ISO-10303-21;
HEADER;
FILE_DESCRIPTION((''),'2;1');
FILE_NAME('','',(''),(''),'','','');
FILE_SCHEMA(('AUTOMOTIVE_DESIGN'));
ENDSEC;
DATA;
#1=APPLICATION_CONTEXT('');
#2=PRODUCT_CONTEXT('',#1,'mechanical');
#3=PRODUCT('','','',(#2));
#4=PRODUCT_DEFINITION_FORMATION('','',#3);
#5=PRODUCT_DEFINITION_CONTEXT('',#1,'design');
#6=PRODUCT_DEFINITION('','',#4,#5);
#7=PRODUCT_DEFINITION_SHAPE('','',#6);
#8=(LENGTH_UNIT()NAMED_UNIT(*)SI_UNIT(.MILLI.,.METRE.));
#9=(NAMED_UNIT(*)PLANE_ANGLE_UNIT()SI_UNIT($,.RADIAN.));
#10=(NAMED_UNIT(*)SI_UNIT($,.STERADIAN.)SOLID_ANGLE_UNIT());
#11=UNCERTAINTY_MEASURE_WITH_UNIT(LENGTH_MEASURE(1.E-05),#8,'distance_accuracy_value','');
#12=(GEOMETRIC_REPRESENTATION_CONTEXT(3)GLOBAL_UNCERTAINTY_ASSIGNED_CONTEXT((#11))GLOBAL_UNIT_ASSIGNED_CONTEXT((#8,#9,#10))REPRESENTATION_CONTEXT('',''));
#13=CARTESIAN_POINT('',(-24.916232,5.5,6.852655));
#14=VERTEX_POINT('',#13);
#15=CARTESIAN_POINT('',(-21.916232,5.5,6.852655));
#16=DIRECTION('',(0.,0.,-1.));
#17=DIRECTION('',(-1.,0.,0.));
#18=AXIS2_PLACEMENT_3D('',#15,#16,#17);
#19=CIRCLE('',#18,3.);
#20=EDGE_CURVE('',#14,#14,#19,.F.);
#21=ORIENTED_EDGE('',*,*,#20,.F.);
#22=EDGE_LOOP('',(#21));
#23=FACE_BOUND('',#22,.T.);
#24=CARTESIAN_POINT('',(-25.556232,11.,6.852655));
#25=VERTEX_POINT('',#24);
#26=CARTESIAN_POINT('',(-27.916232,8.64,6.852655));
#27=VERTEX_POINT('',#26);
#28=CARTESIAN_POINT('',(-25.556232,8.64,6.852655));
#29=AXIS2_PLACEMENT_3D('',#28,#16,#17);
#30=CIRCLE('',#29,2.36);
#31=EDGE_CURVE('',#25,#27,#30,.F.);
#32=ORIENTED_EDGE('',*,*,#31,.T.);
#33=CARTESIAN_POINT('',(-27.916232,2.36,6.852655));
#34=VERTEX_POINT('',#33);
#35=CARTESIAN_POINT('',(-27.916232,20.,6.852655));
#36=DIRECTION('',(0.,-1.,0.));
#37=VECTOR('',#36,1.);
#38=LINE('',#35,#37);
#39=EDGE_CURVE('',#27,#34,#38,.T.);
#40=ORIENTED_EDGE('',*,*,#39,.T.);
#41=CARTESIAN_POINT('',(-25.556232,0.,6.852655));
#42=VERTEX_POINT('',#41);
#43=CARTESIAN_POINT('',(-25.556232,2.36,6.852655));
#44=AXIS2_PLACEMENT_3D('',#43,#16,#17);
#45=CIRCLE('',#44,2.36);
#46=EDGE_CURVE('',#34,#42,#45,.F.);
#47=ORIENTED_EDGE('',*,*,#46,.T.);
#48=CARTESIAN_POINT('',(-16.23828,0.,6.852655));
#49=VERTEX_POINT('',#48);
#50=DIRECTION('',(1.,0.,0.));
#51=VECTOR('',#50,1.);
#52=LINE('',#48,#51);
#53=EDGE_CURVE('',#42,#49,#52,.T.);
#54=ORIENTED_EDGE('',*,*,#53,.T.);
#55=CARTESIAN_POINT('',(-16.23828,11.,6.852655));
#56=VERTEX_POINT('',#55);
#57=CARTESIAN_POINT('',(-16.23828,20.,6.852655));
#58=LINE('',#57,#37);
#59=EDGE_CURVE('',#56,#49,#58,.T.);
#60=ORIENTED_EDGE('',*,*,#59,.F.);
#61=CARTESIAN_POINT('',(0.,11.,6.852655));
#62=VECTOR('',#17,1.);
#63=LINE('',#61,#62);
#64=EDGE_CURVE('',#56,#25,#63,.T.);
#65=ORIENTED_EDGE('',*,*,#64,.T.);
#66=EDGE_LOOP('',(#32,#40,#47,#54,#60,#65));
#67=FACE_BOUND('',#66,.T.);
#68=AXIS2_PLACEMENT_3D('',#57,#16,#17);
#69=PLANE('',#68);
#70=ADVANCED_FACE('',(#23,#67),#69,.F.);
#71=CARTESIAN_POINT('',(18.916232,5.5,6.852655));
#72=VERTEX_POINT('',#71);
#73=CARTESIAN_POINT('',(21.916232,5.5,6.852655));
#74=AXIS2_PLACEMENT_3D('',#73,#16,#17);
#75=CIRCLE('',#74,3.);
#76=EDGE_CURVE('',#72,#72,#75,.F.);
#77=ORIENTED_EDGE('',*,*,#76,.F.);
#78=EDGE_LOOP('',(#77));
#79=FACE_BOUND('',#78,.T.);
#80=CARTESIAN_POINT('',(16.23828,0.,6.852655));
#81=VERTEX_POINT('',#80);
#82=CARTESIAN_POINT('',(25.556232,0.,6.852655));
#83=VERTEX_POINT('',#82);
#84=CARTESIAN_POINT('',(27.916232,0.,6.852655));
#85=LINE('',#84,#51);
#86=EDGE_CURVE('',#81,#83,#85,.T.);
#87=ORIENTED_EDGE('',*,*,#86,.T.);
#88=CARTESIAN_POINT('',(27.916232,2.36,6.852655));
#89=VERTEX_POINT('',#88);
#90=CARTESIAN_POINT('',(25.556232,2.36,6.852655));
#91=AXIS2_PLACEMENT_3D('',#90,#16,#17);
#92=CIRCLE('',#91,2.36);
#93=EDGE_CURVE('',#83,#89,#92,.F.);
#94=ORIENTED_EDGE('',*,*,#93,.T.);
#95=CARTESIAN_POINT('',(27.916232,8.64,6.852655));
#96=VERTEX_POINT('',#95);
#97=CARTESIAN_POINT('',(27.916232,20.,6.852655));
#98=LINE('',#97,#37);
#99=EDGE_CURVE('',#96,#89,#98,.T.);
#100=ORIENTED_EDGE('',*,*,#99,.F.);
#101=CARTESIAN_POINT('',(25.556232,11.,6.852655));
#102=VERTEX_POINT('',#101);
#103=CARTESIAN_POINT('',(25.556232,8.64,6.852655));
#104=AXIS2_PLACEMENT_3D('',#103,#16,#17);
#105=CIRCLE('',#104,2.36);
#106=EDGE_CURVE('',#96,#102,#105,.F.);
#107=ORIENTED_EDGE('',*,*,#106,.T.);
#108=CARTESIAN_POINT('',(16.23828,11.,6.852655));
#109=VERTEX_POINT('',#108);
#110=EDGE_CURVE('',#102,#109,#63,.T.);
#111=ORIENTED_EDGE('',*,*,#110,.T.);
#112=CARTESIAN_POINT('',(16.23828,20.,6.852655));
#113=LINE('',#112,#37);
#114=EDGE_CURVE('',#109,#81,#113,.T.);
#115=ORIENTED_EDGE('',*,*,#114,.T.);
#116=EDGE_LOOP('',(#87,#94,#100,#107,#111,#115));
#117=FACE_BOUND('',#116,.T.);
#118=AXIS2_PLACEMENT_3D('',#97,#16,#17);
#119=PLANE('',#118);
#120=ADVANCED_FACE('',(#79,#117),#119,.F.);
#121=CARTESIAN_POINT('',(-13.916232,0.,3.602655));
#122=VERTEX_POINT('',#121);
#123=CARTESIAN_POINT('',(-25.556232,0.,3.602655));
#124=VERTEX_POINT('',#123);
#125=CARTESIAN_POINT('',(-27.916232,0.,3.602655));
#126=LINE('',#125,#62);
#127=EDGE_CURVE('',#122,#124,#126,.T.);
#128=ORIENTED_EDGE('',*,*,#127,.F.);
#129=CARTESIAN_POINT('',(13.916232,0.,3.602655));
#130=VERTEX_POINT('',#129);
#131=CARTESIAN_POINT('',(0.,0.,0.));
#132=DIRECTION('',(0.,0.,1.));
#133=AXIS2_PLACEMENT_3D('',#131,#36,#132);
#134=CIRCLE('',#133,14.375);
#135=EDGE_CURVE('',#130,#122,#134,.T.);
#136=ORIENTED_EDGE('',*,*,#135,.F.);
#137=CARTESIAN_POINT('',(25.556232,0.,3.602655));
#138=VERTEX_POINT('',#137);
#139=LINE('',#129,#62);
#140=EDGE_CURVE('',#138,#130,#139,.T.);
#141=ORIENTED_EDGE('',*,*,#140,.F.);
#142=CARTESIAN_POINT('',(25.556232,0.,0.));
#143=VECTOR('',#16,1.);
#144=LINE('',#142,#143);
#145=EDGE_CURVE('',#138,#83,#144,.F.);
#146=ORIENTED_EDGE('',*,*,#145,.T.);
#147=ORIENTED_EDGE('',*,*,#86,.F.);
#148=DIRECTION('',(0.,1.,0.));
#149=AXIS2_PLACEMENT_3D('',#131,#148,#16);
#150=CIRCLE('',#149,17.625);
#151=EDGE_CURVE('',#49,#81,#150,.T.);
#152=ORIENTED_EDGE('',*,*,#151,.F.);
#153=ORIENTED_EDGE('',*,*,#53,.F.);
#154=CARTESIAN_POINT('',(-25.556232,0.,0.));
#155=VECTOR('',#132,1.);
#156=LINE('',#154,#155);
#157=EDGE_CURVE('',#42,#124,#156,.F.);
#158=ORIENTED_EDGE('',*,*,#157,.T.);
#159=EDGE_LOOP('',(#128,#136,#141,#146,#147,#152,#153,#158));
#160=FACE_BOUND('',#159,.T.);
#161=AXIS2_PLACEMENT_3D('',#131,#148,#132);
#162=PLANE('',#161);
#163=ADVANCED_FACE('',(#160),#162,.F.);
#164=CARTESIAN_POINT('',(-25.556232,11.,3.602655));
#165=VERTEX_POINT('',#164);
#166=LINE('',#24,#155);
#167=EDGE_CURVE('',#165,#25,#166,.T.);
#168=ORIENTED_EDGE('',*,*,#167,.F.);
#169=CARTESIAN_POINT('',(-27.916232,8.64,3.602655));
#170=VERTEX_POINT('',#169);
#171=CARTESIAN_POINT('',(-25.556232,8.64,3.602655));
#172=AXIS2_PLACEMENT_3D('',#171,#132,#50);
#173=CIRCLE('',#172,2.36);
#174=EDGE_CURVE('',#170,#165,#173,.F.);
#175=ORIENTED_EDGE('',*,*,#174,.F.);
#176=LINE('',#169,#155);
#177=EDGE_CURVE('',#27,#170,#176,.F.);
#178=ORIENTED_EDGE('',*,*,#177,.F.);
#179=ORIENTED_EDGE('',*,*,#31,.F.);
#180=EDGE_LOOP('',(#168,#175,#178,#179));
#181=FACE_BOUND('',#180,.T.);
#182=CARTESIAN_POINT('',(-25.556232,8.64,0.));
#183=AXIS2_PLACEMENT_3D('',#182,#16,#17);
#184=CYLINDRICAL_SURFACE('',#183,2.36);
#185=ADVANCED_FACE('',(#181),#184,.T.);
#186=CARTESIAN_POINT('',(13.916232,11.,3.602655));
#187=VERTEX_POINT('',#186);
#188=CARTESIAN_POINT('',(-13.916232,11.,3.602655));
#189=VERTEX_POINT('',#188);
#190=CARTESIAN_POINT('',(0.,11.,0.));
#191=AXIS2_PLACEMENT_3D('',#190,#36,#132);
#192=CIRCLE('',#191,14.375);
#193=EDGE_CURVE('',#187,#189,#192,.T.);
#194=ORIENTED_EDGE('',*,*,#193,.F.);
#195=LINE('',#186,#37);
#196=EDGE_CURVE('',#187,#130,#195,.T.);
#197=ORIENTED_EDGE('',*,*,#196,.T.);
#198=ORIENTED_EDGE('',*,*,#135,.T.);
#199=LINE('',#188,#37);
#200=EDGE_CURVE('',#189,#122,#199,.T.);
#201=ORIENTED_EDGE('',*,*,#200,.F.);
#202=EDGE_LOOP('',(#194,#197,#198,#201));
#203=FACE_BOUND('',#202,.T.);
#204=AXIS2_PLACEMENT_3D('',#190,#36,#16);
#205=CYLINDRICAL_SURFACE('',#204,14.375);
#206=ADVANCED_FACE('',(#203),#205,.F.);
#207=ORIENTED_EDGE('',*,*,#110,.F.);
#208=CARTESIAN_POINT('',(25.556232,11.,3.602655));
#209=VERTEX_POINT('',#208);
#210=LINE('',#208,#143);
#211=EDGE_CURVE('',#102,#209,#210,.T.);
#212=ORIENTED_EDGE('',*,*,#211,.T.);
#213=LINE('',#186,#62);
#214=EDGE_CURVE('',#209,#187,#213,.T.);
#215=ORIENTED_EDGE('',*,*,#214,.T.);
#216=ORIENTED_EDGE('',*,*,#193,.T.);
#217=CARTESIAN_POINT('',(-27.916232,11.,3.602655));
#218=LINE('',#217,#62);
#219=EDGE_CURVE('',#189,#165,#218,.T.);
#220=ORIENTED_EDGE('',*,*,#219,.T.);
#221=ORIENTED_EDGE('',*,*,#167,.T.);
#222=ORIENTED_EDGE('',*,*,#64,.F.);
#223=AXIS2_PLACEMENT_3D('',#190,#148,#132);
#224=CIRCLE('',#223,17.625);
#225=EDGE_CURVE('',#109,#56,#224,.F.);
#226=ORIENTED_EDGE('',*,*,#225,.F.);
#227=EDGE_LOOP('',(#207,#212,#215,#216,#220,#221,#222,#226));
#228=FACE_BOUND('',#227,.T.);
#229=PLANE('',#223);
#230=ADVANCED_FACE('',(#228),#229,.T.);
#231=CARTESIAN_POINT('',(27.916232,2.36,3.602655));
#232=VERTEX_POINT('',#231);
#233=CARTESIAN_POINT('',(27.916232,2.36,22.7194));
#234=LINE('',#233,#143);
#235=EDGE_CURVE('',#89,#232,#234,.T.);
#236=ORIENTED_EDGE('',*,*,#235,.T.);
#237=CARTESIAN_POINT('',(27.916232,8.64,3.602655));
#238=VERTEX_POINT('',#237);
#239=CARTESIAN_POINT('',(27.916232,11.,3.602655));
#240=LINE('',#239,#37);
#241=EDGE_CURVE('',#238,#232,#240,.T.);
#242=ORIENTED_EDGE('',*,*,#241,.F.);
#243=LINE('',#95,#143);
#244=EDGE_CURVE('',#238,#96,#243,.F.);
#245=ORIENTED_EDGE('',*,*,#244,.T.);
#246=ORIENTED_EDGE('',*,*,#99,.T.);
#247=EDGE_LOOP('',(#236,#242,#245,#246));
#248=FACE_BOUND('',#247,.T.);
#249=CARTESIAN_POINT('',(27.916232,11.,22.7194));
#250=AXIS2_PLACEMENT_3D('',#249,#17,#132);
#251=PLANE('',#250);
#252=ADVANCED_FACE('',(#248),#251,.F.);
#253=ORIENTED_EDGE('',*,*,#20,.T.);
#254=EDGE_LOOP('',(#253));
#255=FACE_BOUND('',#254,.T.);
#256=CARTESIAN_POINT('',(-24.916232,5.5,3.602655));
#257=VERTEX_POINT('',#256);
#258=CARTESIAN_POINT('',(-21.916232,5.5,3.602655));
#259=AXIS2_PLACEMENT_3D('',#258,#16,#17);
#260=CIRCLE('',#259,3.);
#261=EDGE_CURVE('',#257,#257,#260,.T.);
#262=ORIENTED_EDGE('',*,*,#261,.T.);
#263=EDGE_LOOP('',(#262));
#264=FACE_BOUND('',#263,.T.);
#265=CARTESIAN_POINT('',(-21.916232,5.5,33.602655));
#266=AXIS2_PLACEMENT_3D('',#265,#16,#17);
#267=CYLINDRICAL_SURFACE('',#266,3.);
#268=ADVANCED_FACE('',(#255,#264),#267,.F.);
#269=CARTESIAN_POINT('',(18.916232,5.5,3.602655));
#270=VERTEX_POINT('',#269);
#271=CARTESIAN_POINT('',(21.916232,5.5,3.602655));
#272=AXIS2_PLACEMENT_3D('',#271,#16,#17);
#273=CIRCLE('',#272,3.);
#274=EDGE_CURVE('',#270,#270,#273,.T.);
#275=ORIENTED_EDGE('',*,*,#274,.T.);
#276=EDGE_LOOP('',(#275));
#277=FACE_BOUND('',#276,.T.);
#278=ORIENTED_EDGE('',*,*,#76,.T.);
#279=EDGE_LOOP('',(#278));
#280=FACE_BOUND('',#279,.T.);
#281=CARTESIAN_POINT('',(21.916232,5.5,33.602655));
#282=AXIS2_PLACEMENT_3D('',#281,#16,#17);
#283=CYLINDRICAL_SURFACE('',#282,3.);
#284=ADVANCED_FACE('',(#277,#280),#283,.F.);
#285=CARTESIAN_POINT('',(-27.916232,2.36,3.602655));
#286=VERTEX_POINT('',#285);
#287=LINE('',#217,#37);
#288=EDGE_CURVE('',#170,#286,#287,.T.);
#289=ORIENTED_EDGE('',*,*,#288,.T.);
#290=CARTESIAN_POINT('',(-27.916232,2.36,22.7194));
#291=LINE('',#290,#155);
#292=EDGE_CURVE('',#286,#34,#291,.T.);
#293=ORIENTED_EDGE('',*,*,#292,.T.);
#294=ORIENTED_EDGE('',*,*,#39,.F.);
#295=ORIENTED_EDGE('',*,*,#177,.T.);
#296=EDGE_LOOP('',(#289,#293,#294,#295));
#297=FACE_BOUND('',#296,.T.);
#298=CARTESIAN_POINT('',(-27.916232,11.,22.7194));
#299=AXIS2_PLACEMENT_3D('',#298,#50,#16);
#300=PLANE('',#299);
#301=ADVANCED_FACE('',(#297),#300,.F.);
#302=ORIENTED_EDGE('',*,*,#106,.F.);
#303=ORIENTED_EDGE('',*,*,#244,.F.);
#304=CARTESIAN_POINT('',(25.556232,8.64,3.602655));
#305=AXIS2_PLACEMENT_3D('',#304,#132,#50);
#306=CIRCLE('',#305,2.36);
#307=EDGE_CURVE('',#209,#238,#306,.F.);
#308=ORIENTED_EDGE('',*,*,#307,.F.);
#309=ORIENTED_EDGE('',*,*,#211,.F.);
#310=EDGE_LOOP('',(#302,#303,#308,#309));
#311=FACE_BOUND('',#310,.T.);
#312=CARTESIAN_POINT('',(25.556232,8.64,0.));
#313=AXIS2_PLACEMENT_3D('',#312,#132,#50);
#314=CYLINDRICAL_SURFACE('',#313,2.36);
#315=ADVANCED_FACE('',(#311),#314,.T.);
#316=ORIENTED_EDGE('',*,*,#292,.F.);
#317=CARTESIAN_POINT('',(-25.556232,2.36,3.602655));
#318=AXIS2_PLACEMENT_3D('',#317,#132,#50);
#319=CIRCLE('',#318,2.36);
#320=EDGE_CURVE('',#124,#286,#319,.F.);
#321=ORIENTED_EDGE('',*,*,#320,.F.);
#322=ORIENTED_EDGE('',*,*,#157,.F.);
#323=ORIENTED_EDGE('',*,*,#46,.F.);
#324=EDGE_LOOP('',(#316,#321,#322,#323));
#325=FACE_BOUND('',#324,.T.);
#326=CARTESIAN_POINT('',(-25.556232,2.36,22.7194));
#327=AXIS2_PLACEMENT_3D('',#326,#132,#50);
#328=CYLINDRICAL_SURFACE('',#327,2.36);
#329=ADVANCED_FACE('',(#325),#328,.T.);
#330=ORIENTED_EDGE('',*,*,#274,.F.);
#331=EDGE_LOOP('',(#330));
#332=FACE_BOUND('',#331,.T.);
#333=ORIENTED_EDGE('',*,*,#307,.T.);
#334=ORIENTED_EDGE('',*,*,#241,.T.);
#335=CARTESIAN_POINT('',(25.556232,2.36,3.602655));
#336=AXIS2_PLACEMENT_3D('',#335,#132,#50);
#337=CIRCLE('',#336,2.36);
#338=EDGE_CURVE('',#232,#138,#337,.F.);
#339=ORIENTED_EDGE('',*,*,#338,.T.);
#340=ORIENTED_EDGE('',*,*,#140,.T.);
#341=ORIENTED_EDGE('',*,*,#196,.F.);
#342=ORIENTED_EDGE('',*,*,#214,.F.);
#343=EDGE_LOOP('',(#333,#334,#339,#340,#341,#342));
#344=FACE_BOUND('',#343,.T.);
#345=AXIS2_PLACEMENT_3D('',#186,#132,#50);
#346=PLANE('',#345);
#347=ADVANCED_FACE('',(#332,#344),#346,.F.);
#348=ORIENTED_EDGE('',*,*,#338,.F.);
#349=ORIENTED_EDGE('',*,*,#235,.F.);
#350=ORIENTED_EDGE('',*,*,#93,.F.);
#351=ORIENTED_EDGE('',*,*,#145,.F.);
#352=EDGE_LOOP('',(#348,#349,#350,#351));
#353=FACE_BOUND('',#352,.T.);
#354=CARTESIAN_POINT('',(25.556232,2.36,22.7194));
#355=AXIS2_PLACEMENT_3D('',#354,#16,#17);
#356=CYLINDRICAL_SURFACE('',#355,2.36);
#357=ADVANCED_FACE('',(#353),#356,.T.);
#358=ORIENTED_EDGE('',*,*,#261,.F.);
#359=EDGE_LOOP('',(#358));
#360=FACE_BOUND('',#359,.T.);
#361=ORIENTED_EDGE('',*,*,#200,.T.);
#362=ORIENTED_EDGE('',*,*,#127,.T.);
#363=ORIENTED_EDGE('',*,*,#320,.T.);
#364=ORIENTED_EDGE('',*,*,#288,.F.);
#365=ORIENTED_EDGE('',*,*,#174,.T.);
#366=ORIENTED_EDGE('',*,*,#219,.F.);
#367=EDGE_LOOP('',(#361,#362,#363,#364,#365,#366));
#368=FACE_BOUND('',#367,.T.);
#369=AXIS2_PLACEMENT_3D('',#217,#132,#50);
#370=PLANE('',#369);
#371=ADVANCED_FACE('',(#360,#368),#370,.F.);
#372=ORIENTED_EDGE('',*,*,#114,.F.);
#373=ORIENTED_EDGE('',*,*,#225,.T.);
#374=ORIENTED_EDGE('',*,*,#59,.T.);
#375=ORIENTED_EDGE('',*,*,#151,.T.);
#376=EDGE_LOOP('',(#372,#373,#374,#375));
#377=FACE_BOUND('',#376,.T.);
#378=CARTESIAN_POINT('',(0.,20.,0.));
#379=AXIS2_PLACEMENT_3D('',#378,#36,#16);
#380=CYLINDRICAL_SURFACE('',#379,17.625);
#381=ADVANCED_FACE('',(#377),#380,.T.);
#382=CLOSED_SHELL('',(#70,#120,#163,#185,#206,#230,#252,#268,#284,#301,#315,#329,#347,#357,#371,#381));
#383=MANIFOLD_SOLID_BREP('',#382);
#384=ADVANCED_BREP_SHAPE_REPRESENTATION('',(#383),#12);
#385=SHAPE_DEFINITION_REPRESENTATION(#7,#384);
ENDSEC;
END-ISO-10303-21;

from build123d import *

# Parameters (mm, degrees)
BOSS_EXTRUDE1_DEPTH = 11
SKETCH2_R           = 3
CUT_EXTRUDE1_DEPTH  = 30
CUT_EXTRUDE2_DEPTH  = 20
FILLET1_R           = 2.36


with BuildPart() as part:
    # Sketch1 → Boss-Extrude1 (new body)
    with BuildSketch(Plane(origin=(0, 0, 0), x_dir=(1, 0, 0), z_dir=(0, 1, 0))):
        with BuildLine():
            Line((-27.916231576, -22.71939994), (27.916231576, -22.71939994))
            Line((27.916231576, -22.71939994), (27.916231576, -3.602655093))
            Line((27.916231576, -3.602655093), (13.916231576, -3.602655093))
            ThreePointArc((13.916231576, -3.602655093), (0, -14.375), (-13.916231576, -3.602655093))
            Line((-13.916231576, -3.602655093), (-27.916231576, -3.602655093))
            Line((-27.916231576, -3.602655093), (-27.916231576, -22.71939994))
        make_face()
    extrude(amount=BOSS_EXTRUDE1_DEPTH)

    # Sketch2 → Cut-Extrude1 (cut)
    with BuildSketch(Plane(origin=(0, 0, 3.602655093), x_dir=(-1, 0, 0), z_dir=(0, 0, -1))):
        with Locations((21.916231576, 5.5)):
            Circle(SKETCH2_R)
        with Locations((-21.916231576, 5.5)):
            Circle(SKETCH2_R)
    extrude(amount=-CUT_EXTRUDE1_DEPTH, mode=Mode.SUBTRACT)

    # Sketch4 → Cut-Extrude2 (cut)
    with BuildSketch(Plane.XZ):
        with BuildLine():
            Line((27.916231576, 6.852655093), (27.916231576, 7.602655093))
            Line((27.916231576, 7.602655093), (27.916231576, 22.71939994))
            Line((27.916231576, 22.71939994), (-27.916231576, 22.71939994))
            Line((-27.916231576, 22.71939994), (-27.916231576, 7.602655093))
            Line((-27.916231576, 7.602655093), (-27.916231576, 6.852655093))
            Line((-27.916231576, 6.852655093), (-16.238280179, 6.852655093))
            ThreePointArc((-16.238280179, 6.852655093), (0, 17.625), (16.238280179, 6.852655093))
            Line((16.238280179, 6.852655093), (27.916231576, 6.852655093))
        make_face()
    extrude(amount=-CUT_EXTRUDE2_DEPTH, mode=Mode.SUBTRACT)

    # Fillet1
    fillet1_edges = [part.edges().sort_by_distance(p)[0] for p in [
        (27.916231576, 0, 5.227655093),
        (27.916231576, 11, 5.227655093),
        (-27.916231576, 11, 5.227655093),
        (-27.916231576, 0, 5.227655093),
    ]]
    fillet(fillet1_edges, radius=FILLET1_R)


solid = part.part
